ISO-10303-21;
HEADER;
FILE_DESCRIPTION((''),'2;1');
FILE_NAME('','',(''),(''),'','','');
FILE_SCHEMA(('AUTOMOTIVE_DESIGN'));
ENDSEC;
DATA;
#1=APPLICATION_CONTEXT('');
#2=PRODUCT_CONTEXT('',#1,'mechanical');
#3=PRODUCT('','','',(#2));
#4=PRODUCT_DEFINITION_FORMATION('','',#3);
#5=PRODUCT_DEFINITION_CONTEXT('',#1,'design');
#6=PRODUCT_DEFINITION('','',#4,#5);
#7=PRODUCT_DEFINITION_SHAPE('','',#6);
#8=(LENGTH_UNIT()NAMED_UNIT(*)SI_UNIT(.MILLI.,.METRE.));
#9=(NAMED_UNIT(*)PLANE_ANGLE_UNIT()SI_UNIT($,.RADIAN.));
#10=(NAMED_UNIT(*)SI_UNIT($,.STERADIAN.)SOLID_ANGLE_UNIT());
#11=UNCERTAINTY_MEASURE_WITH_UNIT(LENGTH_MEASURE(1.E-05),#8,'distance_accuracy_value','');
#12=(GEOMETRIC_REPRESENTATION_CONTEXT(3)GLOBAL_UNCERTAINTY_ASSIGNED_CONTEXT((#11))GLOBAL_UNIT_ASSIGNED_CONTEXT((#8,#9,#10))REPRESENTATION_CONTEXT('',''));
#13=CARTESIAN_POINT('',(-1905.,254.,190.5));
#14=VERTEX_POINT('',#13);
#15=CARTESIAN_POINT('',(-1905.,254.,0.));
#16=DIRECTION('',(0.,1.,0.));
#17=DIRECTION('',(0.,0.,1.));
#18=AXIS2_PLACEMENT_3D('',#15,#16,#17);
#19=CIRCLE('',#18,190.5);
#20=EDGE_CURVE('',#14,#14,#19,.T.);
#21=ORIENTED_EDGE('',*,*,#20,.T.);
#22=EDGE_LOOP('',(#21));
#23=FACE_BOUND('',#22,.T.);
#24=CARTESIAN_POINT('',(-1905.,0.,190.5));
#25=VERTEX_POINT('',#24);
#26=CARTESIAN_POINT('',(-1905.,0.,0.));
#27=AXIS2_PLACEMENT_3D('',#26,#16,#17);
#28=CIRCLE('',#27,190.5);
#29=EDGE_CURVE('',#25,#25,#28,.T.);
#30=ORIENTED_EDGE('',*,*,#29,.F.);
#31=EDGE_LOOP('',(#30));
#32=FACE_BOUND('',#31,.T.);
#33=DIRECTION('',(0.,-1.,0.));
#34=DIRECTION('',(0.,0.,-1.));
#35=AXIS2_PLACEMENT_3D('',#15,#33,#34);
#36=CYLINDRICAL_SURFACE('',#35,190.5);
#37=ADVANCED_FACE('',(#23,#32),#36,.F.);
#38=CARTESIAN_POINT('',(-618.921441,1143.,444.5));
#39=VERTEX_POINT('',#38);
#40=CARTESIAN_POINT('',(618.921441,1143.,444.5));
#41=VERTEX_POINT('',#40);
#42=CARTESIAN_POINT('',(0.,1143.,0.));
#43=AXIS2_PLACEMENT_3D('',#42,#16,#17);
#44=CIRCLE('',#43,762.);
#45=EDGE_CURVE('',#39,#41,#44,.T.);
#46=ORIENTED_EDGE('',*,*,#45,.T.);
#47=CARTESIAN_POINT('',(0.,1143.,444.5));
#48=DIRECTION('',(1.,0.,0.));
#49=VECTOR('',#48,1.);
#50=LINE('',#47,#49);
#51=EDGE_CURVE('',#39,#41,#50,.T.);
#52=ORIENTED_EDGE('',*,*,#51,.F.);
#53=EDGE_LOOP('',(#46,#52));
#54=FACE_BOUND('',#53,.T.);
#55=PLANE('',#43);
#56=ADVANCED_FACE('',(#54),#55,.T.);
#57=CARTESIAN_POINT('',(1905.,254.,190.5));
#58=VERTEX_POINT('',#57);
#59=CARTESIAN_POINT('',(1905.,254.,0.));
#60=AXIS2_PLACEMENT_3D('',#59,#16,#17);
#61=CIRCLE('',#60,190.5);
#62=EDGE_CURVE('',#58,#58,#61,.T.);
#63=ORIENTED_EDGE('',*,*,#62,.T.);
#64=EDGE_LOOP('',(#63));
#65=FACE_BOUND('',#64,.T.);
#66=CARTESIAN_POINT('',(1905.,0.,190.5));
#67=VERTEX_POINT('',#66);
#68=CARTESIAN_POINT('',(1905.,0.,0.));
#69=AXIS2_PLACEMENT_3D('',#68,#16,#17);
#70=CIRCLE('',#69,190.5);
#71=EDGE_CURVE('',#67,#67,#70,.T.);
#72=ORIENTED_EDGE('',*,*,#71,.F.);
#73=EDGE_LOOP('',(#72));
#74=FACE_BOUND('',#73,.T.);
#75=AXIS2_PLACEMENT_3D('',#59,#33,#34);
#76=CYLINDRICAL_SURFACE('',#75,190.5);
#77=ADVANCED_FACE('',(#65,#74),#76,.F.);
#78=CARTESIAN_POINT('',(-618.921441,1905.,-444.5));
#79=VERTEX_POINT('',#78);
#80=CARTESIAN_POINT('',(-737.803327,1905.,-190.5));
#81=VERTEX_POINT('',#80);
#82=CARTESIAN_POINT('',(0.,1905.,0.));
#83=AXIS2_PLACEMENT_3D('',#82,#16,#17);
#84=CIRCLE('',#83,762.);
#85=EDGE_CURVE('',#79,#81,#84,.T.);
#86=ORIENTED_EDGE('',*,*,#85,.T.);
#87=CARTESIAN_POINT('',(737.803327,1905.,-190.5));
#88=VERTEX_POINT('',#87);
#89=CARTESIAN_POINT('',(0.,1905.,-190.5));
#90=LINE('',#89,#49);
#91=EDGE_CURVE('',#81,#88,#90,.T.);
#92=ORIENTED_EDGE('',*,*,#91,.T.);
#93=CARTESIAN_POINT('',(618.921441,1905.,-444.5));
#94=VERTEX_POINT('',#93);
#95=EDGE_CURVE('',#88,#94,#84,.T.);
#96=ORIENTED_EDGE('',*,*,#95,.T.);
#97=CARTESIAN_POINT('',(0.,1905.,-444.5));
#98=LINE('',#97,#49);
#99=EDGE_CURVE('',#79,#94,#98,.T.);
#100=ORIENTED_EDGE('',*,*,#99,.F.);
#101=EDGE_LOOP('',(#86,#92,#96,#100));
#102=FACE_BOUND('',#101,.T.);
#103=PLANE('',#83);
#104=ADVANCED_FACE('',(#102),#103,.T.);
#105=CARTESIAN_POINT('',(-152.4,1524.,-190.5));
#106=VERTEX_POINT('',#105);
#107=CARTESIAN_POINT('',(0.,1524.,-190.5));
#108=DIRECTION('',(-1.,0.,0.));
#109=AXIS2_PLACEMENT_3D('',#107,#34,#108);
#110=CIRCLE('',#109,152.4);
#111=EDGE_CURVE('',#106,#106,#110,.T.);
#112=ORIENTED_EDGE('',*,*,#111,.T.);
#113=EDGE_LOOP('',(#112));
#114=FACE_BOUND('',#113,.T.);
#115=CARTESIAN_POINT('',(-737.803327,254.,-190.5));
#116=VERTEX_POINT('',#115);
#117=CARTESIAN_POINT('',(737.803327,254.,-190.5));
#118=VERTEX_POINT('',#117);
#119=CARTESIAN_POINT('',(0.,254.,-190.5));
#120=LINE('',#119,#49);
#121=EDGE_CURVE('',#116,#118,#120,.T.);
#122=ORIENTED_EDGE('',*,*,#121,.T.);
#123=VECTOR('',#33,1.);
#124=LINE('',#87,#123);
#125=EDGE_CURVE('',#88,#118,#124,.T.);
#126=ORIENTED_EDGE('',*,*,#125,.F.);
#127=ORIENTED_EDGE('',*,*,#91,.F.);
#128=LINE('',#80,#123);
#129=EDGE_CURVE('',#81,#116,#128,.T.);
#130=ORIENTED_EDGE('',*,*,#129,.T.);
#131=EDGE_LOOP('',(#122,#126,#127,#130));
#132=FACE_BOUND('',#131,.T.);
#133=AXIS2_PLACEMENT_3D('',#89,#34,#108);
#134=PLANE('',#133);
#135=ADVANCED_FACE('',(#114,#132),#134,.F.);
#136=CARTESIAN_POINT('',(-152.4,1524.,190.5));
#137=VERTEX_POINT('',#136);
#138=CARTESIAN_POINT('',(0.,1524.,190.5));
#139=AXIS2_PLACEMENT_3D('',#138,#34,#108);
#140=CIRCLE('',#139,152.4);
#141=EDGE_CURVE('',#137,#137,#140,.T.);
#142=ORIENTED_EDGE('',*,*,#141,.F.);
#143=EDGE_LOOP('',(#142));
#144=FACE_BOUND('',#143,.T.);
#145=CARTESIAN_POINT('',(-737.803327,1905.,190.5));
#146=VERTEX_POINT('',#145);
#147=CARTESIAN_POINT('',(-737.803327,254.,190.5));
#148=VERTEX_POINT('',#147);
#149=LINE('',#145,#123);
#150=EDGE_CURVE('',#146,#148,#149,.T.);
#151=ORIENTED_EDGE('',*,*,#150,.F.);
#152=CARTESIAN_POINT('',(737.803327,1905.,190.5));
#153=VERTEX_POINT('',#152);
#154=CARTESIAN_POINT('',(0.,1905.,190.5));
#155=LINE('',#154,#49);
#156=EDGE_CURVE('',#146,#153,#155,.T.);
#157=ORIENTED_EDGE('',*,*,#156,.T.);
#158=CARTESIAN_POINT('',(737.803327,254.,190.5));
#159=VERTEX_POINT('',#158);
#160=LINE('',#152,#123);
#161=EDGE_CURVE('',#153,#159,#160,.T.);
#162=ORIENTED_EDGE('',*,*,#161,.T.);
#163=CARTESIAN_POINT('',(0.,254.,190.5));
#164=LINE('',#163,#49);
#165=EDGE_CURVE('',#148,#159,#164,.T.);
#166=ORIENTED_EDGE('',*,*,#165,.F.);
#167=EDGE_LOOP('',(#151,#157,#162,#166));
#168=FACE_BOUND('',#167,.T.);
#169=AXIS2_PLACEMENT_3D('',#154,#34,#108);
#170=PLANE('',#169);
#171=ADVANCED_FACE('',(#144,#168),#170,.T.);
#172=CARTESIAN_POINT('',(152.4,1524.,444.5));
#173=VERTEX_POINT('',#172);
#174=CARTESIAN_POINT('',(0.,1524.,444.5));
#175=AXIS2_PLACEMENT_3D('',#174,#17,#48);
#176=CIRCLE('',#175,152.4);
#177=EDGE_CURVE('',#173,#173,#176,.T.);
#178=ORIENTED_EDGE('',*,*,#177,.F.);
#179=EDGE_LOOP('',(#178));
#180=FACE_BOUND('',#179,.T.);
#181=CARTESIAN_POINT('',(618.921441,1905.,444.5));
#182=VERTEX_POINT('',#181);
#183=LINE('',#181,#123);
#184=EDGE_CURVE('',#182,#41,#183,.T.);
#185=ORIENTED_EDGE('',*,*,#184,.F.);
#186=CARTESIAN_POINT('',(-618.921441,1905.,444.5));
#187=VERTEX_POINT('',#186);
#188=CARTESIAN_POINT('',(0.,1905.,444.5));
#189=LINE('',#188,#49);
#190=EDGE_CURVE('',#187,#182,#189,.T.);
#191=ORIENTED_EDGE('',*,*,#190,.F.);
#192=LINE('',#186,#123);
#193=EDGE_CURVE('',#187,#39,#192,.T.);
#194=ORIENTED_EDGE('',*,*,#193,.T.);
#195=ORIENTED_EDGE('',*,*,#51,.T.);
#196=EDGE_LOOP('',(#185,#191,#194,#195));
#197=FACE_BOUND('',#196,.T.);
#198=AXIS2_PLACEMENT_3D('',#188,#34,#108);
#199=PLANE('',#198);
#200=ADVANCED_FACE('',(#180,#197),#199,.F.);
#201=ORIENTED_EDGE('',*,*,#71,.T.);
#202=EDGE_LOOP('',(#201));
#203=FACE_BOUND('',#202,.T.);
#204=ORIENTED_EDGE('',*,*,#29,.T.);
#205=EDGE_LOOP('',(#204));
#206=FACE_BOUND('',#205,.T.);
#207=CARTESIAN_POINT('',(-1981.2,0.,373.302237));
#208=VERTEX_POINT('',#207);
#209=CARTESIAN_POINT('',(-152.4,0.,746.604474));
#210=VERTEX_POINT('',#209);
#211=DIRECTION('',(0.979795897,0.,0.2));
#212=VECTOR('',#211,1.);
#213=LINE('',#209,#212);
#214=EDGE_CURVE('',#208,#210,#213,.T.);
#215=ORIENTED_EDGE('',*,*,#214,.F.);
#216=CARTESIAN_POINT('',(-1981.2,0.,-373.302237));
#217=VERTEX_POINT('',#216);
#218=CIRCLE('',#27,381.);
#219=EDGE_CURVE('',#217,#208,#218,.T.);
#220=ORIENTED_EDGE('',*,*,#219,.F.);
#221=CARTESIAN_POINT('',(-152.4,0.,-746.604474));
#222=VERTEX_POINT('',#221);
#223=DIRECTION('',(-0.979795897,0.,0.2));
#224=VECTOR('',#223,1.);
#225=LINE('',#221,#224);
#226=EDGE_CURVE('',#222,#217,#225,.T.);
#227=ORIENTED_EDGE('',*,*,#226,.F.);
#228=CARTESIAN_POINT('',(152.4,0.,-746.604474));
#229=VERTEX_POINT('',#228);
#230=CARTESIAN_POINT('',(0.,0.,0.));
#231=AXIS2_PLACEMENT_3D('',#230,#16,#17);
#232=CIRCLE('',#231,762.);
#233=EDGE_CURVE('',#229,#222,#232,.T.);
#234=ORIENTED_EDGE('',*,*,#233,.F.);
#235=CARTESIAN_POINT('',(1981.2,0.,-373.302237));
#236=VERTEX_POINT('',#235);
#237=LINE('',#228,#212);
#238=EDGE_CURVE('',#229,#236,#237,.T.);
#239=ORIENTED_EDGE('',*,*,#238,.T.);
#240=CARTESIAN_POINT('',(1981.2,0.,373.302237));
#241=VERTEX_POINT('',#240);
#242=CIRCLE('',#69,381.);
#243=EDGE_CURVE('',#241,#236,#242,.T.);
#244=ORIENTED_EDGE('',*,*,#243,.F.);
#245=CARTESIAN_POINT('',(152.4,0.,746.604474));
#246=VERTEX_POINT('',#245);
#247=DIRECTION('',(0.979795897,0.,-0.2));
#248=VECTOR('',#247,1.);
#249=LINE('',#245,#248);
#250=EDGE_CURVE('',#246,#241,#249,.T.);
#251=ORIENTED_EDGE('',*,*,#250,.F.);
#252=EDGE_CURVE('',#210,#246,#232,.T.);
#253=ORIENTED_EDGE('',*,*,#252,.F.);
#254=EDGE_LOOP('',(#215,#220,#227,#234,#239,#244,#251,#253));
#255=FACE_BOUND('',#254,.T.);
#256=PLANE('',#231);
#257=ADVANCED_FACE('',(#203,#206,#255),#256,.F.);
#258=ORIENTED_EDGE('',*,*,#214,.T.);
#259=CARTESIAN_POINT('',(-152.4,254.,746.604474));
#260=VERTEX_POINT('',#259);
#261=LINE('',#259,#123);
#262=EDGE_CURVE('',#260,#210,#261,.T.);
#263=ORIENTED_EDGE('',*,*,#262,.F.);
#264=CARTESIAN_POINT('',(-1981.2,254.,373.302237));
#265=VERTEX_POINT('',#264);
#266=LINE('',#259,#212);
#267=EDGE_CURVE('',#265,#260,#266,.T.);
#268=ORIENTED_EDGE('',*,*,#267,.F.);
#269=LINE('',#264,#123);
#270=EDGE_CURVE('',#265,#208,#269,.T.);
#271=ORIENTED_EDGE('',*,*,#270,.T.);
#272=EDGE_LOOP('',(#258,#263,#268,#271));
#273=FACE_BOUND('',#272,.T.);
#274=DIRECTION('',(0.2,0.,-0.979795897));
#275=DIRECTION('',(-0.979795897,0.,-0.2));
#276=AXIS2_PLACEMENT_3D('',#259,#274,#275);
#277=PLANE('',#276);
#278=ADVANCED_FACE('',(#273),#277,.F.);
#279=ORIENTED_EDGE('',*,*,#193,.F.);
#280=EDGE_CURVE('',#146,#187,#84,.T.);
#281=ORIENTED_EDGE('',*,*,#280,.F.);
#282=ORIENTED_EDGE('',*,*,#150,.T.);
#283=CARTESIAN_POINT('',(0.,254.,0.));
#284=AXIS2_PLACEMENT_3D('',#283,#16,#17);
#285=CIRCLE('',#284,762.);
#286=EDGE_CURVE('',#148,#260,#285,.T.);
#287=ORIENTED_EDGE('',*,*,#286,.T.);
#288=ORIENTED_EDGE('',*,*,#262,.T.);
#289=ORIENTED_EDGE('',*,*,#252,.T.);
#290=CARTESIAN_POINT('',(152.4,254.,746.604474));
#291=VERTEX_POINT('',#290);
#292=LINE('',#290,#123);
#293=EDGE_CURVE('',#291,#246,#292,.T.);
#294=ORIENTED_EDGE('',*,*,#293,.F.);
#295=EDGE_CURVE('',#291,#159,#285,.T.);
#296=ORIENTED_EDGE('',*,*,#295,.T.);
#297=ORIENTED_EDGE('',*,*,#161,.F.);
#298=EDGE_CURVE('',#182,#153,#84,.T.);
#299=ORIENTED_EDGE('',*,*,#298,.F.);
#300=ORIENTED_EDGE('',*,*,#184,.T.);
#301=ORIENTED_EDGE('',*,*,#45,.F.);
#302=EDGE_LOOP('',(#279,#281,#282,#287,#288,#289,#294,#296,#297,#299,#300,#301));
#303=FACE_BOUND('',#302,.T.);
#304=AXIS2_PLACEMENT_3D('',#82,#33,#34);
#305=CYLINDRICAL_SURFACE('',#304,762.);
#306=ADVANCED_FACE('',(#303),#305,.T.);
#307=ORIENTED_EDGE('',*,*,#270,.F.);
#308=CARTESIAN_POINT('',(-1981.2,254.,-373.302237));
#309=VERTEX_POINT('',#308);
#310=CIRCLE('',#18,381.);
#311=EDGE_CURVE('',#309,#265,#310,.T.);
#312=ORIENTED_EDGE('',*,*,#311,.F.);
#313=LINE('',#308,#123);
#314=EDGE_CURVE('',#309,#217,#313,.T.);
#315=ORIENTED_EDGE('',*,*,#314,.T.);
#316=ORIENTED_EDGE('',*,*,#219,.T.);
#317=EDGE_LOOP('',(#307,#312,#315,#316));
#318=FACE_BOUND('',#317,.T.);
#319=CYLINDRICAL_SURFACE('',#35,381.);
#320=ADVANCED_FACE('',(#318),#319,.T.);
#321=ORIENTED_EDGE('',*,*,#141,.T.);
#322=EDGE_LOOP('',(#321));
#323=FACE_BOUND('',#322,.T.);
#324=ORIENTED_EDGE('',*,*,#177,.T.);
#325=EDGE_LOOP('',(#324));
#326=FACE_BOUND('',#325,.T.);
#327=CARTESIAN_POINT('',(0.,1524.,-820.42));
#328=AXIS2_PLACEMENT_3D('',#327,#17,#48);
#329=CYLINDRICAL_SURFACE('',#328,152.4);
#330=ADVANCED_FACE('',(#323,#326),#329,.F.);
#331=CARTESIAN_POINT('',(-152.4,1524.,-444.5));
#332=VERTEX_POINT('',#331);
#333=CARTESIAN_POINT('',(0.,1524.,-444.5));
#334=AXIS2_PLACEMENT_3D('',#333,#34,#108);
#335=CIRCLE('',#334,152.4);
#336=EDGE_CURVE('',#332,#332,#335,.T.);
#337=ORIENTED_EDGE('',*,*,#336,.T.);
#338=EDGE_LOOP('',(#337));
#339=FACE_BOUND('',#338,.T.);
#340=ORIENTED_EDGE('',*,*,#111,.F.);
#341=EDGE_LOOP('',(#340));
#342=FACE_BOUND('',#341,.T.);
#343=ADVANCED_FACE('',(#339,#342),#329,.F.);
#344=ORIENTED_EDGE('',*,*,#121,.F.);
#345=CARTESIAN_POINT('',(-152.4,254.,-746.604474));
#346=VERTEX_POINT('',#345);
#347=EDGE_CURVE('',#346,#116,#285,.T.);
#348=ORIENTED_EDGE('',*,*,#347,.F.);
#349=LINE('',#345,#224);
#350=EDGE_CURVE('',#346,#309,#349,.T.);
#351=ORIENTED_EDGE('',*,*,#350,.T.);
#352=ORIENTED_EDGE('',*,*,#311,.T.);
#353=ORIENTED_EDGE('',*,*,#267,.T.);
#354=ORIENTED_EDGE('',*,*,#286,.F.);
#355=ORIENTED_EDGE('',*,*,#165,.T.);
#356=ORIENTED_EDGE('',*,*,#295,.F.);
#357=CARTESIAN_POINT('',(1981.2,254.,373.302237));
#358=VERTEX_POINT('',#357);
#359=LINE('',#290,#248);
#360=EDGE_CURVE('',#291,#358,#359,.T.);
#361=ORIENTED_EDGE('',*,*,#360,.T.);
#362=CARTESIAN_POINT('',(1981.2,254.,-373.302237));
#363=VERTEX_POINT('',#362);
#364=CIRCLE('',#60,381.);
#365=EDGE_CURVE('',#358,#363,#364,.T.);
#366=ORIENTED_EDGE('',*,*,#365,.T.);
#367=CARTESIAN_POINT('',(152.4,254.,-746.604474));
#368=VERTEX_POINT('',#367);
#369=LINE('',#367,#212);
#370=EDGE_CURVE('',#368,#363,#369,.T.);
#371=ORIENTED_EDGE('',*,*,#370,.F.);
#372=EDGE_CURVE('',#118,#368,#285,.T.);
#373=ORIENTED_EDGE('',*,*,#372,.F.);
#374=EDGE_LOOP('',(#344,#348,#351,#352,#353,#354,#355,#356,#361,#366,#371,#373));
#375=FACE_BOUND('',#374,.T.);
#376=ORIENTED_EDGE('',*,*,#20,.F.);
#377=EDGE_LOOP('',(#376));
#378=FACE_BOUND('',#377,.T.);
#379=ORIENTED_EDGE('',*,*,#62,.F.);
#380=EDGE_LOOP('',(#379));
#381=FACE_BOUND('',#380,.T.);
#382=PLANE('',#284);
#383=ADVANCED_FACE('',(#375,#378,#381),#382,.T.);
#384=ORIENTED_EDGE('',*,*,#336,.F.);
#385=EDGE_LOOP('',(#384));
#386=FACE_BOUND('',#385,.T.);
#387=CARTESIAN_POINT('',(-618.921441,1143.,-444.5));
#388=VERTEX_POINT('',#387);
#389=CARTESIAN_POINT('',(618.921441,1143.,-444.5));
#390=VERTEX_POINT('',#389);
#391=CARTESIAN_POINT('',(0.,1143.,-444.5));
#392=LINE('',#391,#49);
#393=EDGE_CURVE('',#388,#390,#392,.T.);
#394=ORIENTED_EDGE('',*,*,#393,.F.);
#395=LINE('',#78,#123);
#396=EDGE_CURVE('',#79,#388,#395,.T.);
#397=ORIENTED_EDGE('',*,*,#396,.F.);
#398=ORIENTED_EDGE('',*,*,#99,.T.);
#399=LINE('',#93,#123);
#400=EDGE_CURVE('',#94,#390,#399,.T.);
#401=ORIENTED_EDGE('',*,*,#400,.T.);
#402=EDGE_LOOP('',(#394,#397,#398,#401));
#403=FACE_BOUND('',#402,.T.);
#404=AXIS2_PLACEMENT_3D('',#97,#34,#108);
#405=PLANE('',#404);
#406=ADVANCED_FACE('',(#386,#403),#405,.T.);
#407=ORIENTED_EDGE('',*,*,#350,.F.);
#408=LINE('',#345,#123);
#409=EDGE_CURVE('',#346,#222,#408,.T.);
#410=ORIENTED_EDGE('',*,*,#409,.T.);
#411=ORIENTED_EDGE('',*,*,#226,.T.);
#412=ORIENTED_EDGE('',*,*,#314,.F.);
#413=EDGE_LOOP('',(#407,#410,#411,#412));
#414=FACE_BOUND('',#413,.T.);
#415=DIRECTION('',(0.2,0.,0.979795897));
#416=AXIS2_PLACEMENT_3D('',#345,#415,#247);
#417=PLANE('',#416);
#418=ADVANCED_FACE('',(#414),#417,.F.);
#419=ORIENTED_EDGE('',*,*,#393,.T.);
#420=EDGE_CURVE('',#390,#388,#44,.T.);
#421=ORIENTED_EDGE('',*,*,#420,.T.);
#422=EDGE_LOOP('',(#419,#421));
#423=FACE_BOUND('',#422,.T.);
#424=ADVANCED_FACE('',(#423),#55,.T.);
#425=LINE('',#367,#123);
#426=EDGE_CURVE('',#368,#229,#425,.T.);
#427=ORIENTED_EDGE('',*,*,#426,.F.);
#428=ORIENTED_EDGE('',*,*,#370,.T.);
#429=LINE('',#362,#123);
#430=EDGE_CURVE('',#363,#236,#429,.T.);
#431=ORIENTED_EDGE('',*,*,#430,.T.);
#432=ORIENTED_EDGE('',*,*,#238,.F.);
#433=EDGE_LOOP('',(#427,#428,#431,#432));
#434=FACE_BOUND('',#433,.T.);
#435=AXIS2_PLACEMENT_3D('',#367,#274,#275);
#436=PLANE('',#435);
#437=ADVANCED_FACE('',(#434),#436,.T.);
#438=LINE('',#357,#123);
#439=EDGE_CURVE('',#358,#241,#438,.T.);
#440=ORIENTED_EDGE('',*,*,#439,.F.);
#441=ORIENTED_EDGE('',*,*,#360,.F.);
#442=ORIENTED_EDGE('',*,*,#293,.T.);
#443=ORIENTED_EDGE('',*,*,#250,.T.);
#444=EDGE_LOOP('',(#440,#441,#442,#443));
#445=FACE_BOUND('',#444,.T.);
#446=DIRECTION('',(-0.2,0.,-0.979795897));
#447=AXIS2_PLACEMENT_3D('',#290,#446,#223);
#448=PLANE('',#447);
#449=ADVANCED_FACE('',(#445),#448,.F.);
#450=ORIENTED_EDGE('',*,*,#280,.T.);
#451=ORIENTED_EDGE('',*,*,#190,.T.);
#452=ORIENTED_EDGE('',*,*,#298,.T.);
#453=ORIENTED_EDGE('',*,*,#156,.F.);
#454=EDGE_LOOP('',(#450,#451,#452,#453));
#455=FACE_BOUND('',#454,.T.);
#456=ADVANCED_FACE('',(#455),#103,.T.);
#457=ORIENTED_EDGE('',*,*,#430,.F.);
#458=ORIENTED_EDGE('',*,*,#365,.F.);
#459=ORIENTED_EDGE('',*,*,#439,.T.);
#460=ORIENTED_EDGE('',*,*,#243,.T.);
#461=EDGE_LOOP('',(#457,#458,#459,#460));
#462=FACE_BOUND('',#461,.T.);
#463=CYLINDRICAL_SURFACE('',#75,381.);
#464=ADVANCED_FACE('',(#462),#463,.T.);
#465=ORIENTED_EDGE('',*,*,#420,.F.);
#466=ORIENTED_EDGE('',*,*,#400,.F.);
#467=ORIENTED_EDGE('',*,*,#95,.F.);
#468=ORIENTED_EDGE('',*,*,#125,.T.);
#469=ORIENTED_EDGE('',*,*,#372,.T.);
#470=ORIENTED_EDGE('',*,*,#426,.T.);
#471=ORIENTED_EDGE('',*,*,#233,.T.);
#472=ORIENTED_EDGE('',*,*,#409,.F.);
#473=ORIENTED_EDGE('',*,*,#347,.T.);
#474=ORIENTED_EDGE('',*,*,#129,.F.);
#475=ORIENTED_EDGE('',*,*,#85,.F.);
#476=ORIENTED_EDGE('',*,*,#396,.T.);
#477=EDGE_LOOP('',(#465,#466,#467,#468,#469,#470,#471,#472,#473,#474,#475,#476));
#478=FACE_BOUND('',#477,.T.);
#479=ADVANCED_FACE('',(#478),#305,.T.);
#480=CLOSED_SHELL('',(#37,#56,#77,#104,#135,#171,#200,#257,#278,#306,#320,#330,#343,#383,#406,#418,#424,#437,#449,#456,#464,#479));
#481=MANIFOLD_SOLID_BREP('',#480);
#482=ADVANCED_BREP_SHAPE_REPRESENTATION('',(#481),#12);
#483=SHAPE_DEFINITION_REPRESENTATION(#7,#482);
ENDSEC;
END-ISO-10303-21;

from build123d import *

# Parameters (mm, degrees)
BOSS_EXTRUDE1_DEPTH   = 1905
BOSS_EXTRUDE1_2_DEPTH = 1905
BOSS_EXTRUDE2_DEPTH   = 1143
SKETCH3_4_R           = 190.5
BOSS_EXTRUDE3_DEPTH   = 254
SKETCH4_R             = 152.4
CUT_EXTRUDE1_DEPTH    = 1264.92


with BuildPart() as part:
    # Sketch3 → Boss-Extrude1 (new body)
    with BuildSketch(Plane(origin=(0, 0, 0), x_dir=(1, 0, 0), z_dir=(0, 1, 0))):
        with BuildLine():
            Line((618.921440895, 444.5), (-618.921440895, 444.5))
            ThreePointArc((-618.921440895, 444.5), (-690.148190074, 323.016215905), (-737.803327453, 190.5))
            Line((-737.803327453, 190.5), (737.803327453, 190.5))
            ThreePointArc((737.803327453, 190.5), (690.148190074, 323.016215905), (618.921440895, 444.5))
        make_face()
    extrude(amount=BOSS_EXTRUDE1_DEPTH)



with BuildPart() as body_2:
    # Sketch3 → Boss-Extrude1 2 (new body)
    with BuildSketch(Plane(origin=(0, 0, 0), x_dir=(1, 0, 0), z_dir=(0, 1, 0))):
        with BuildLine():
            ThreePointArc((-737.803327453, -190.5), (-690.148190074, -323.016215905), (-618.921440895, -444.5))
            Line((-618.921440895, -444.5), (618.921440895, -444.5))
            ThreePointArc((618.921440895, -444.5), (690.148190074, -323.016215905), (737.803327453, -190.5))
            Line((737.803327453, -190.5), (-737.803327453, -190.5))
        make_face()
    extrude(amount=BOSS_EXTRUDE1_2_DEPTH)


with BuildPart() as part_1:
    add(part.part)

    add(body_2.part)  # Boss-Extrude2 merges body 2
    # Sketch3<3> → Boss-Extrude2 (add)
    with BuildSketch(Plane(origin=(0, 0, 0), x_dir=(1, 0, 0), z_dir=(0, 1, 0))):
        with BuildLine():
            ThreePointArc((618.921440895, 444.5), (0, 762), (-618.921440895, 444.5))
            Line((-618.921440895, 444.5), (618.921440895, 444.5))
        make_face()
        with BuildLine():
            ThreePointArc((-618.921440895, -444.5), (0, -762), (618.921440895, -444.5))
            Line((618.921440895, -444.5), (-618.921440895, -444.5))
        make_face()
    extrude(amount=BOSS_EXTRUDE2_DEPTH)

    # Sketch3<4> → Boss-Extrude3 (add)
    with BuildSketch(Plane(origin=(0, 0, 0), x_dir=(1, 0, 0), z_dir=(0, 1, 0))):
        with BuildLine():
            ThreePointArc((-618.921440895, 444.5), (-414.187118992, 639.603807416), (-152.4, 746.6044736))
            Line((-152.4, 746.6044736), (-1981.2, 373.3022368))
            ThreePointArc((-1981.2, 373.3022368), (-2286, 0), (-1981.2, -373.3022368))
            Line((-1981.2, -373.3022368), (-152.4, -746.6044736))
            ThreePointArc((-152.4, -746.6044736), (-414.187118992, -639.603807416), (-618.921440895, -444.5))
            ThreePointArc((-618.921440895, -444.5), (-690.148190074, -323.016215905), (-737.803327453, -190.5))
            Line((-737.803327453, -190.5), (737.803327453, -190.5))
            ThreePointArc((737.803327453, -190.5), (690.148190074, -323.016215905), (618.921440895, -444.5))
            ThreePointArc((618.921440895, -444.5), (414.187118992, -639.603807416), (152.4, -746.6044736))
            Line((152.4, -746.6044736), (1981.2, -373.3022368))
            ThreePointArc((1981.2, -373.3022368), (2286, 0), (1981.2, 373.3022368))
            Line((1981.2, 373.3022368), (152.4, 746.6044736))
            ThreePointArc((152.4, 746.6044736), (414.187118992, 639.603807416), (618.921440895, 444.5))
            ThreePointArc((618.921440895, 444.5), (690.148190074, 323.016215905), (737.803327453, 190.5))
            Line((737.803327453, 190.5), (-737.803327453, 190.5))
            ThreePointArc((-737.803327453, 190.5), (-690.148190074, 323.016215905), (-618.921440895, 444.5))
        make_face()
        with Locations((-1905, 0)):
            Circle(SKETCH3_4_R, mode=Mode.SUBTRACT)
        with Locations((1905, 0)):
            Circle(SKETCH3_4_R, mode=Mode.SUBTRACT)
    extrude(amount=BOSS_EXTRUDE3_DEPTH)

    # Sketch4 → Cut-Extrude1 (cut)
    with BuildSketch(Plane.XY.offset(444.5)):
        with Locations((0, 1524)):
            Circle(SKETCH4_R)
    extrude(amount=-CUT_EXTRUDE1_DEPTH, mode=Mode.SUBTRACT)


solid = part_1.part
